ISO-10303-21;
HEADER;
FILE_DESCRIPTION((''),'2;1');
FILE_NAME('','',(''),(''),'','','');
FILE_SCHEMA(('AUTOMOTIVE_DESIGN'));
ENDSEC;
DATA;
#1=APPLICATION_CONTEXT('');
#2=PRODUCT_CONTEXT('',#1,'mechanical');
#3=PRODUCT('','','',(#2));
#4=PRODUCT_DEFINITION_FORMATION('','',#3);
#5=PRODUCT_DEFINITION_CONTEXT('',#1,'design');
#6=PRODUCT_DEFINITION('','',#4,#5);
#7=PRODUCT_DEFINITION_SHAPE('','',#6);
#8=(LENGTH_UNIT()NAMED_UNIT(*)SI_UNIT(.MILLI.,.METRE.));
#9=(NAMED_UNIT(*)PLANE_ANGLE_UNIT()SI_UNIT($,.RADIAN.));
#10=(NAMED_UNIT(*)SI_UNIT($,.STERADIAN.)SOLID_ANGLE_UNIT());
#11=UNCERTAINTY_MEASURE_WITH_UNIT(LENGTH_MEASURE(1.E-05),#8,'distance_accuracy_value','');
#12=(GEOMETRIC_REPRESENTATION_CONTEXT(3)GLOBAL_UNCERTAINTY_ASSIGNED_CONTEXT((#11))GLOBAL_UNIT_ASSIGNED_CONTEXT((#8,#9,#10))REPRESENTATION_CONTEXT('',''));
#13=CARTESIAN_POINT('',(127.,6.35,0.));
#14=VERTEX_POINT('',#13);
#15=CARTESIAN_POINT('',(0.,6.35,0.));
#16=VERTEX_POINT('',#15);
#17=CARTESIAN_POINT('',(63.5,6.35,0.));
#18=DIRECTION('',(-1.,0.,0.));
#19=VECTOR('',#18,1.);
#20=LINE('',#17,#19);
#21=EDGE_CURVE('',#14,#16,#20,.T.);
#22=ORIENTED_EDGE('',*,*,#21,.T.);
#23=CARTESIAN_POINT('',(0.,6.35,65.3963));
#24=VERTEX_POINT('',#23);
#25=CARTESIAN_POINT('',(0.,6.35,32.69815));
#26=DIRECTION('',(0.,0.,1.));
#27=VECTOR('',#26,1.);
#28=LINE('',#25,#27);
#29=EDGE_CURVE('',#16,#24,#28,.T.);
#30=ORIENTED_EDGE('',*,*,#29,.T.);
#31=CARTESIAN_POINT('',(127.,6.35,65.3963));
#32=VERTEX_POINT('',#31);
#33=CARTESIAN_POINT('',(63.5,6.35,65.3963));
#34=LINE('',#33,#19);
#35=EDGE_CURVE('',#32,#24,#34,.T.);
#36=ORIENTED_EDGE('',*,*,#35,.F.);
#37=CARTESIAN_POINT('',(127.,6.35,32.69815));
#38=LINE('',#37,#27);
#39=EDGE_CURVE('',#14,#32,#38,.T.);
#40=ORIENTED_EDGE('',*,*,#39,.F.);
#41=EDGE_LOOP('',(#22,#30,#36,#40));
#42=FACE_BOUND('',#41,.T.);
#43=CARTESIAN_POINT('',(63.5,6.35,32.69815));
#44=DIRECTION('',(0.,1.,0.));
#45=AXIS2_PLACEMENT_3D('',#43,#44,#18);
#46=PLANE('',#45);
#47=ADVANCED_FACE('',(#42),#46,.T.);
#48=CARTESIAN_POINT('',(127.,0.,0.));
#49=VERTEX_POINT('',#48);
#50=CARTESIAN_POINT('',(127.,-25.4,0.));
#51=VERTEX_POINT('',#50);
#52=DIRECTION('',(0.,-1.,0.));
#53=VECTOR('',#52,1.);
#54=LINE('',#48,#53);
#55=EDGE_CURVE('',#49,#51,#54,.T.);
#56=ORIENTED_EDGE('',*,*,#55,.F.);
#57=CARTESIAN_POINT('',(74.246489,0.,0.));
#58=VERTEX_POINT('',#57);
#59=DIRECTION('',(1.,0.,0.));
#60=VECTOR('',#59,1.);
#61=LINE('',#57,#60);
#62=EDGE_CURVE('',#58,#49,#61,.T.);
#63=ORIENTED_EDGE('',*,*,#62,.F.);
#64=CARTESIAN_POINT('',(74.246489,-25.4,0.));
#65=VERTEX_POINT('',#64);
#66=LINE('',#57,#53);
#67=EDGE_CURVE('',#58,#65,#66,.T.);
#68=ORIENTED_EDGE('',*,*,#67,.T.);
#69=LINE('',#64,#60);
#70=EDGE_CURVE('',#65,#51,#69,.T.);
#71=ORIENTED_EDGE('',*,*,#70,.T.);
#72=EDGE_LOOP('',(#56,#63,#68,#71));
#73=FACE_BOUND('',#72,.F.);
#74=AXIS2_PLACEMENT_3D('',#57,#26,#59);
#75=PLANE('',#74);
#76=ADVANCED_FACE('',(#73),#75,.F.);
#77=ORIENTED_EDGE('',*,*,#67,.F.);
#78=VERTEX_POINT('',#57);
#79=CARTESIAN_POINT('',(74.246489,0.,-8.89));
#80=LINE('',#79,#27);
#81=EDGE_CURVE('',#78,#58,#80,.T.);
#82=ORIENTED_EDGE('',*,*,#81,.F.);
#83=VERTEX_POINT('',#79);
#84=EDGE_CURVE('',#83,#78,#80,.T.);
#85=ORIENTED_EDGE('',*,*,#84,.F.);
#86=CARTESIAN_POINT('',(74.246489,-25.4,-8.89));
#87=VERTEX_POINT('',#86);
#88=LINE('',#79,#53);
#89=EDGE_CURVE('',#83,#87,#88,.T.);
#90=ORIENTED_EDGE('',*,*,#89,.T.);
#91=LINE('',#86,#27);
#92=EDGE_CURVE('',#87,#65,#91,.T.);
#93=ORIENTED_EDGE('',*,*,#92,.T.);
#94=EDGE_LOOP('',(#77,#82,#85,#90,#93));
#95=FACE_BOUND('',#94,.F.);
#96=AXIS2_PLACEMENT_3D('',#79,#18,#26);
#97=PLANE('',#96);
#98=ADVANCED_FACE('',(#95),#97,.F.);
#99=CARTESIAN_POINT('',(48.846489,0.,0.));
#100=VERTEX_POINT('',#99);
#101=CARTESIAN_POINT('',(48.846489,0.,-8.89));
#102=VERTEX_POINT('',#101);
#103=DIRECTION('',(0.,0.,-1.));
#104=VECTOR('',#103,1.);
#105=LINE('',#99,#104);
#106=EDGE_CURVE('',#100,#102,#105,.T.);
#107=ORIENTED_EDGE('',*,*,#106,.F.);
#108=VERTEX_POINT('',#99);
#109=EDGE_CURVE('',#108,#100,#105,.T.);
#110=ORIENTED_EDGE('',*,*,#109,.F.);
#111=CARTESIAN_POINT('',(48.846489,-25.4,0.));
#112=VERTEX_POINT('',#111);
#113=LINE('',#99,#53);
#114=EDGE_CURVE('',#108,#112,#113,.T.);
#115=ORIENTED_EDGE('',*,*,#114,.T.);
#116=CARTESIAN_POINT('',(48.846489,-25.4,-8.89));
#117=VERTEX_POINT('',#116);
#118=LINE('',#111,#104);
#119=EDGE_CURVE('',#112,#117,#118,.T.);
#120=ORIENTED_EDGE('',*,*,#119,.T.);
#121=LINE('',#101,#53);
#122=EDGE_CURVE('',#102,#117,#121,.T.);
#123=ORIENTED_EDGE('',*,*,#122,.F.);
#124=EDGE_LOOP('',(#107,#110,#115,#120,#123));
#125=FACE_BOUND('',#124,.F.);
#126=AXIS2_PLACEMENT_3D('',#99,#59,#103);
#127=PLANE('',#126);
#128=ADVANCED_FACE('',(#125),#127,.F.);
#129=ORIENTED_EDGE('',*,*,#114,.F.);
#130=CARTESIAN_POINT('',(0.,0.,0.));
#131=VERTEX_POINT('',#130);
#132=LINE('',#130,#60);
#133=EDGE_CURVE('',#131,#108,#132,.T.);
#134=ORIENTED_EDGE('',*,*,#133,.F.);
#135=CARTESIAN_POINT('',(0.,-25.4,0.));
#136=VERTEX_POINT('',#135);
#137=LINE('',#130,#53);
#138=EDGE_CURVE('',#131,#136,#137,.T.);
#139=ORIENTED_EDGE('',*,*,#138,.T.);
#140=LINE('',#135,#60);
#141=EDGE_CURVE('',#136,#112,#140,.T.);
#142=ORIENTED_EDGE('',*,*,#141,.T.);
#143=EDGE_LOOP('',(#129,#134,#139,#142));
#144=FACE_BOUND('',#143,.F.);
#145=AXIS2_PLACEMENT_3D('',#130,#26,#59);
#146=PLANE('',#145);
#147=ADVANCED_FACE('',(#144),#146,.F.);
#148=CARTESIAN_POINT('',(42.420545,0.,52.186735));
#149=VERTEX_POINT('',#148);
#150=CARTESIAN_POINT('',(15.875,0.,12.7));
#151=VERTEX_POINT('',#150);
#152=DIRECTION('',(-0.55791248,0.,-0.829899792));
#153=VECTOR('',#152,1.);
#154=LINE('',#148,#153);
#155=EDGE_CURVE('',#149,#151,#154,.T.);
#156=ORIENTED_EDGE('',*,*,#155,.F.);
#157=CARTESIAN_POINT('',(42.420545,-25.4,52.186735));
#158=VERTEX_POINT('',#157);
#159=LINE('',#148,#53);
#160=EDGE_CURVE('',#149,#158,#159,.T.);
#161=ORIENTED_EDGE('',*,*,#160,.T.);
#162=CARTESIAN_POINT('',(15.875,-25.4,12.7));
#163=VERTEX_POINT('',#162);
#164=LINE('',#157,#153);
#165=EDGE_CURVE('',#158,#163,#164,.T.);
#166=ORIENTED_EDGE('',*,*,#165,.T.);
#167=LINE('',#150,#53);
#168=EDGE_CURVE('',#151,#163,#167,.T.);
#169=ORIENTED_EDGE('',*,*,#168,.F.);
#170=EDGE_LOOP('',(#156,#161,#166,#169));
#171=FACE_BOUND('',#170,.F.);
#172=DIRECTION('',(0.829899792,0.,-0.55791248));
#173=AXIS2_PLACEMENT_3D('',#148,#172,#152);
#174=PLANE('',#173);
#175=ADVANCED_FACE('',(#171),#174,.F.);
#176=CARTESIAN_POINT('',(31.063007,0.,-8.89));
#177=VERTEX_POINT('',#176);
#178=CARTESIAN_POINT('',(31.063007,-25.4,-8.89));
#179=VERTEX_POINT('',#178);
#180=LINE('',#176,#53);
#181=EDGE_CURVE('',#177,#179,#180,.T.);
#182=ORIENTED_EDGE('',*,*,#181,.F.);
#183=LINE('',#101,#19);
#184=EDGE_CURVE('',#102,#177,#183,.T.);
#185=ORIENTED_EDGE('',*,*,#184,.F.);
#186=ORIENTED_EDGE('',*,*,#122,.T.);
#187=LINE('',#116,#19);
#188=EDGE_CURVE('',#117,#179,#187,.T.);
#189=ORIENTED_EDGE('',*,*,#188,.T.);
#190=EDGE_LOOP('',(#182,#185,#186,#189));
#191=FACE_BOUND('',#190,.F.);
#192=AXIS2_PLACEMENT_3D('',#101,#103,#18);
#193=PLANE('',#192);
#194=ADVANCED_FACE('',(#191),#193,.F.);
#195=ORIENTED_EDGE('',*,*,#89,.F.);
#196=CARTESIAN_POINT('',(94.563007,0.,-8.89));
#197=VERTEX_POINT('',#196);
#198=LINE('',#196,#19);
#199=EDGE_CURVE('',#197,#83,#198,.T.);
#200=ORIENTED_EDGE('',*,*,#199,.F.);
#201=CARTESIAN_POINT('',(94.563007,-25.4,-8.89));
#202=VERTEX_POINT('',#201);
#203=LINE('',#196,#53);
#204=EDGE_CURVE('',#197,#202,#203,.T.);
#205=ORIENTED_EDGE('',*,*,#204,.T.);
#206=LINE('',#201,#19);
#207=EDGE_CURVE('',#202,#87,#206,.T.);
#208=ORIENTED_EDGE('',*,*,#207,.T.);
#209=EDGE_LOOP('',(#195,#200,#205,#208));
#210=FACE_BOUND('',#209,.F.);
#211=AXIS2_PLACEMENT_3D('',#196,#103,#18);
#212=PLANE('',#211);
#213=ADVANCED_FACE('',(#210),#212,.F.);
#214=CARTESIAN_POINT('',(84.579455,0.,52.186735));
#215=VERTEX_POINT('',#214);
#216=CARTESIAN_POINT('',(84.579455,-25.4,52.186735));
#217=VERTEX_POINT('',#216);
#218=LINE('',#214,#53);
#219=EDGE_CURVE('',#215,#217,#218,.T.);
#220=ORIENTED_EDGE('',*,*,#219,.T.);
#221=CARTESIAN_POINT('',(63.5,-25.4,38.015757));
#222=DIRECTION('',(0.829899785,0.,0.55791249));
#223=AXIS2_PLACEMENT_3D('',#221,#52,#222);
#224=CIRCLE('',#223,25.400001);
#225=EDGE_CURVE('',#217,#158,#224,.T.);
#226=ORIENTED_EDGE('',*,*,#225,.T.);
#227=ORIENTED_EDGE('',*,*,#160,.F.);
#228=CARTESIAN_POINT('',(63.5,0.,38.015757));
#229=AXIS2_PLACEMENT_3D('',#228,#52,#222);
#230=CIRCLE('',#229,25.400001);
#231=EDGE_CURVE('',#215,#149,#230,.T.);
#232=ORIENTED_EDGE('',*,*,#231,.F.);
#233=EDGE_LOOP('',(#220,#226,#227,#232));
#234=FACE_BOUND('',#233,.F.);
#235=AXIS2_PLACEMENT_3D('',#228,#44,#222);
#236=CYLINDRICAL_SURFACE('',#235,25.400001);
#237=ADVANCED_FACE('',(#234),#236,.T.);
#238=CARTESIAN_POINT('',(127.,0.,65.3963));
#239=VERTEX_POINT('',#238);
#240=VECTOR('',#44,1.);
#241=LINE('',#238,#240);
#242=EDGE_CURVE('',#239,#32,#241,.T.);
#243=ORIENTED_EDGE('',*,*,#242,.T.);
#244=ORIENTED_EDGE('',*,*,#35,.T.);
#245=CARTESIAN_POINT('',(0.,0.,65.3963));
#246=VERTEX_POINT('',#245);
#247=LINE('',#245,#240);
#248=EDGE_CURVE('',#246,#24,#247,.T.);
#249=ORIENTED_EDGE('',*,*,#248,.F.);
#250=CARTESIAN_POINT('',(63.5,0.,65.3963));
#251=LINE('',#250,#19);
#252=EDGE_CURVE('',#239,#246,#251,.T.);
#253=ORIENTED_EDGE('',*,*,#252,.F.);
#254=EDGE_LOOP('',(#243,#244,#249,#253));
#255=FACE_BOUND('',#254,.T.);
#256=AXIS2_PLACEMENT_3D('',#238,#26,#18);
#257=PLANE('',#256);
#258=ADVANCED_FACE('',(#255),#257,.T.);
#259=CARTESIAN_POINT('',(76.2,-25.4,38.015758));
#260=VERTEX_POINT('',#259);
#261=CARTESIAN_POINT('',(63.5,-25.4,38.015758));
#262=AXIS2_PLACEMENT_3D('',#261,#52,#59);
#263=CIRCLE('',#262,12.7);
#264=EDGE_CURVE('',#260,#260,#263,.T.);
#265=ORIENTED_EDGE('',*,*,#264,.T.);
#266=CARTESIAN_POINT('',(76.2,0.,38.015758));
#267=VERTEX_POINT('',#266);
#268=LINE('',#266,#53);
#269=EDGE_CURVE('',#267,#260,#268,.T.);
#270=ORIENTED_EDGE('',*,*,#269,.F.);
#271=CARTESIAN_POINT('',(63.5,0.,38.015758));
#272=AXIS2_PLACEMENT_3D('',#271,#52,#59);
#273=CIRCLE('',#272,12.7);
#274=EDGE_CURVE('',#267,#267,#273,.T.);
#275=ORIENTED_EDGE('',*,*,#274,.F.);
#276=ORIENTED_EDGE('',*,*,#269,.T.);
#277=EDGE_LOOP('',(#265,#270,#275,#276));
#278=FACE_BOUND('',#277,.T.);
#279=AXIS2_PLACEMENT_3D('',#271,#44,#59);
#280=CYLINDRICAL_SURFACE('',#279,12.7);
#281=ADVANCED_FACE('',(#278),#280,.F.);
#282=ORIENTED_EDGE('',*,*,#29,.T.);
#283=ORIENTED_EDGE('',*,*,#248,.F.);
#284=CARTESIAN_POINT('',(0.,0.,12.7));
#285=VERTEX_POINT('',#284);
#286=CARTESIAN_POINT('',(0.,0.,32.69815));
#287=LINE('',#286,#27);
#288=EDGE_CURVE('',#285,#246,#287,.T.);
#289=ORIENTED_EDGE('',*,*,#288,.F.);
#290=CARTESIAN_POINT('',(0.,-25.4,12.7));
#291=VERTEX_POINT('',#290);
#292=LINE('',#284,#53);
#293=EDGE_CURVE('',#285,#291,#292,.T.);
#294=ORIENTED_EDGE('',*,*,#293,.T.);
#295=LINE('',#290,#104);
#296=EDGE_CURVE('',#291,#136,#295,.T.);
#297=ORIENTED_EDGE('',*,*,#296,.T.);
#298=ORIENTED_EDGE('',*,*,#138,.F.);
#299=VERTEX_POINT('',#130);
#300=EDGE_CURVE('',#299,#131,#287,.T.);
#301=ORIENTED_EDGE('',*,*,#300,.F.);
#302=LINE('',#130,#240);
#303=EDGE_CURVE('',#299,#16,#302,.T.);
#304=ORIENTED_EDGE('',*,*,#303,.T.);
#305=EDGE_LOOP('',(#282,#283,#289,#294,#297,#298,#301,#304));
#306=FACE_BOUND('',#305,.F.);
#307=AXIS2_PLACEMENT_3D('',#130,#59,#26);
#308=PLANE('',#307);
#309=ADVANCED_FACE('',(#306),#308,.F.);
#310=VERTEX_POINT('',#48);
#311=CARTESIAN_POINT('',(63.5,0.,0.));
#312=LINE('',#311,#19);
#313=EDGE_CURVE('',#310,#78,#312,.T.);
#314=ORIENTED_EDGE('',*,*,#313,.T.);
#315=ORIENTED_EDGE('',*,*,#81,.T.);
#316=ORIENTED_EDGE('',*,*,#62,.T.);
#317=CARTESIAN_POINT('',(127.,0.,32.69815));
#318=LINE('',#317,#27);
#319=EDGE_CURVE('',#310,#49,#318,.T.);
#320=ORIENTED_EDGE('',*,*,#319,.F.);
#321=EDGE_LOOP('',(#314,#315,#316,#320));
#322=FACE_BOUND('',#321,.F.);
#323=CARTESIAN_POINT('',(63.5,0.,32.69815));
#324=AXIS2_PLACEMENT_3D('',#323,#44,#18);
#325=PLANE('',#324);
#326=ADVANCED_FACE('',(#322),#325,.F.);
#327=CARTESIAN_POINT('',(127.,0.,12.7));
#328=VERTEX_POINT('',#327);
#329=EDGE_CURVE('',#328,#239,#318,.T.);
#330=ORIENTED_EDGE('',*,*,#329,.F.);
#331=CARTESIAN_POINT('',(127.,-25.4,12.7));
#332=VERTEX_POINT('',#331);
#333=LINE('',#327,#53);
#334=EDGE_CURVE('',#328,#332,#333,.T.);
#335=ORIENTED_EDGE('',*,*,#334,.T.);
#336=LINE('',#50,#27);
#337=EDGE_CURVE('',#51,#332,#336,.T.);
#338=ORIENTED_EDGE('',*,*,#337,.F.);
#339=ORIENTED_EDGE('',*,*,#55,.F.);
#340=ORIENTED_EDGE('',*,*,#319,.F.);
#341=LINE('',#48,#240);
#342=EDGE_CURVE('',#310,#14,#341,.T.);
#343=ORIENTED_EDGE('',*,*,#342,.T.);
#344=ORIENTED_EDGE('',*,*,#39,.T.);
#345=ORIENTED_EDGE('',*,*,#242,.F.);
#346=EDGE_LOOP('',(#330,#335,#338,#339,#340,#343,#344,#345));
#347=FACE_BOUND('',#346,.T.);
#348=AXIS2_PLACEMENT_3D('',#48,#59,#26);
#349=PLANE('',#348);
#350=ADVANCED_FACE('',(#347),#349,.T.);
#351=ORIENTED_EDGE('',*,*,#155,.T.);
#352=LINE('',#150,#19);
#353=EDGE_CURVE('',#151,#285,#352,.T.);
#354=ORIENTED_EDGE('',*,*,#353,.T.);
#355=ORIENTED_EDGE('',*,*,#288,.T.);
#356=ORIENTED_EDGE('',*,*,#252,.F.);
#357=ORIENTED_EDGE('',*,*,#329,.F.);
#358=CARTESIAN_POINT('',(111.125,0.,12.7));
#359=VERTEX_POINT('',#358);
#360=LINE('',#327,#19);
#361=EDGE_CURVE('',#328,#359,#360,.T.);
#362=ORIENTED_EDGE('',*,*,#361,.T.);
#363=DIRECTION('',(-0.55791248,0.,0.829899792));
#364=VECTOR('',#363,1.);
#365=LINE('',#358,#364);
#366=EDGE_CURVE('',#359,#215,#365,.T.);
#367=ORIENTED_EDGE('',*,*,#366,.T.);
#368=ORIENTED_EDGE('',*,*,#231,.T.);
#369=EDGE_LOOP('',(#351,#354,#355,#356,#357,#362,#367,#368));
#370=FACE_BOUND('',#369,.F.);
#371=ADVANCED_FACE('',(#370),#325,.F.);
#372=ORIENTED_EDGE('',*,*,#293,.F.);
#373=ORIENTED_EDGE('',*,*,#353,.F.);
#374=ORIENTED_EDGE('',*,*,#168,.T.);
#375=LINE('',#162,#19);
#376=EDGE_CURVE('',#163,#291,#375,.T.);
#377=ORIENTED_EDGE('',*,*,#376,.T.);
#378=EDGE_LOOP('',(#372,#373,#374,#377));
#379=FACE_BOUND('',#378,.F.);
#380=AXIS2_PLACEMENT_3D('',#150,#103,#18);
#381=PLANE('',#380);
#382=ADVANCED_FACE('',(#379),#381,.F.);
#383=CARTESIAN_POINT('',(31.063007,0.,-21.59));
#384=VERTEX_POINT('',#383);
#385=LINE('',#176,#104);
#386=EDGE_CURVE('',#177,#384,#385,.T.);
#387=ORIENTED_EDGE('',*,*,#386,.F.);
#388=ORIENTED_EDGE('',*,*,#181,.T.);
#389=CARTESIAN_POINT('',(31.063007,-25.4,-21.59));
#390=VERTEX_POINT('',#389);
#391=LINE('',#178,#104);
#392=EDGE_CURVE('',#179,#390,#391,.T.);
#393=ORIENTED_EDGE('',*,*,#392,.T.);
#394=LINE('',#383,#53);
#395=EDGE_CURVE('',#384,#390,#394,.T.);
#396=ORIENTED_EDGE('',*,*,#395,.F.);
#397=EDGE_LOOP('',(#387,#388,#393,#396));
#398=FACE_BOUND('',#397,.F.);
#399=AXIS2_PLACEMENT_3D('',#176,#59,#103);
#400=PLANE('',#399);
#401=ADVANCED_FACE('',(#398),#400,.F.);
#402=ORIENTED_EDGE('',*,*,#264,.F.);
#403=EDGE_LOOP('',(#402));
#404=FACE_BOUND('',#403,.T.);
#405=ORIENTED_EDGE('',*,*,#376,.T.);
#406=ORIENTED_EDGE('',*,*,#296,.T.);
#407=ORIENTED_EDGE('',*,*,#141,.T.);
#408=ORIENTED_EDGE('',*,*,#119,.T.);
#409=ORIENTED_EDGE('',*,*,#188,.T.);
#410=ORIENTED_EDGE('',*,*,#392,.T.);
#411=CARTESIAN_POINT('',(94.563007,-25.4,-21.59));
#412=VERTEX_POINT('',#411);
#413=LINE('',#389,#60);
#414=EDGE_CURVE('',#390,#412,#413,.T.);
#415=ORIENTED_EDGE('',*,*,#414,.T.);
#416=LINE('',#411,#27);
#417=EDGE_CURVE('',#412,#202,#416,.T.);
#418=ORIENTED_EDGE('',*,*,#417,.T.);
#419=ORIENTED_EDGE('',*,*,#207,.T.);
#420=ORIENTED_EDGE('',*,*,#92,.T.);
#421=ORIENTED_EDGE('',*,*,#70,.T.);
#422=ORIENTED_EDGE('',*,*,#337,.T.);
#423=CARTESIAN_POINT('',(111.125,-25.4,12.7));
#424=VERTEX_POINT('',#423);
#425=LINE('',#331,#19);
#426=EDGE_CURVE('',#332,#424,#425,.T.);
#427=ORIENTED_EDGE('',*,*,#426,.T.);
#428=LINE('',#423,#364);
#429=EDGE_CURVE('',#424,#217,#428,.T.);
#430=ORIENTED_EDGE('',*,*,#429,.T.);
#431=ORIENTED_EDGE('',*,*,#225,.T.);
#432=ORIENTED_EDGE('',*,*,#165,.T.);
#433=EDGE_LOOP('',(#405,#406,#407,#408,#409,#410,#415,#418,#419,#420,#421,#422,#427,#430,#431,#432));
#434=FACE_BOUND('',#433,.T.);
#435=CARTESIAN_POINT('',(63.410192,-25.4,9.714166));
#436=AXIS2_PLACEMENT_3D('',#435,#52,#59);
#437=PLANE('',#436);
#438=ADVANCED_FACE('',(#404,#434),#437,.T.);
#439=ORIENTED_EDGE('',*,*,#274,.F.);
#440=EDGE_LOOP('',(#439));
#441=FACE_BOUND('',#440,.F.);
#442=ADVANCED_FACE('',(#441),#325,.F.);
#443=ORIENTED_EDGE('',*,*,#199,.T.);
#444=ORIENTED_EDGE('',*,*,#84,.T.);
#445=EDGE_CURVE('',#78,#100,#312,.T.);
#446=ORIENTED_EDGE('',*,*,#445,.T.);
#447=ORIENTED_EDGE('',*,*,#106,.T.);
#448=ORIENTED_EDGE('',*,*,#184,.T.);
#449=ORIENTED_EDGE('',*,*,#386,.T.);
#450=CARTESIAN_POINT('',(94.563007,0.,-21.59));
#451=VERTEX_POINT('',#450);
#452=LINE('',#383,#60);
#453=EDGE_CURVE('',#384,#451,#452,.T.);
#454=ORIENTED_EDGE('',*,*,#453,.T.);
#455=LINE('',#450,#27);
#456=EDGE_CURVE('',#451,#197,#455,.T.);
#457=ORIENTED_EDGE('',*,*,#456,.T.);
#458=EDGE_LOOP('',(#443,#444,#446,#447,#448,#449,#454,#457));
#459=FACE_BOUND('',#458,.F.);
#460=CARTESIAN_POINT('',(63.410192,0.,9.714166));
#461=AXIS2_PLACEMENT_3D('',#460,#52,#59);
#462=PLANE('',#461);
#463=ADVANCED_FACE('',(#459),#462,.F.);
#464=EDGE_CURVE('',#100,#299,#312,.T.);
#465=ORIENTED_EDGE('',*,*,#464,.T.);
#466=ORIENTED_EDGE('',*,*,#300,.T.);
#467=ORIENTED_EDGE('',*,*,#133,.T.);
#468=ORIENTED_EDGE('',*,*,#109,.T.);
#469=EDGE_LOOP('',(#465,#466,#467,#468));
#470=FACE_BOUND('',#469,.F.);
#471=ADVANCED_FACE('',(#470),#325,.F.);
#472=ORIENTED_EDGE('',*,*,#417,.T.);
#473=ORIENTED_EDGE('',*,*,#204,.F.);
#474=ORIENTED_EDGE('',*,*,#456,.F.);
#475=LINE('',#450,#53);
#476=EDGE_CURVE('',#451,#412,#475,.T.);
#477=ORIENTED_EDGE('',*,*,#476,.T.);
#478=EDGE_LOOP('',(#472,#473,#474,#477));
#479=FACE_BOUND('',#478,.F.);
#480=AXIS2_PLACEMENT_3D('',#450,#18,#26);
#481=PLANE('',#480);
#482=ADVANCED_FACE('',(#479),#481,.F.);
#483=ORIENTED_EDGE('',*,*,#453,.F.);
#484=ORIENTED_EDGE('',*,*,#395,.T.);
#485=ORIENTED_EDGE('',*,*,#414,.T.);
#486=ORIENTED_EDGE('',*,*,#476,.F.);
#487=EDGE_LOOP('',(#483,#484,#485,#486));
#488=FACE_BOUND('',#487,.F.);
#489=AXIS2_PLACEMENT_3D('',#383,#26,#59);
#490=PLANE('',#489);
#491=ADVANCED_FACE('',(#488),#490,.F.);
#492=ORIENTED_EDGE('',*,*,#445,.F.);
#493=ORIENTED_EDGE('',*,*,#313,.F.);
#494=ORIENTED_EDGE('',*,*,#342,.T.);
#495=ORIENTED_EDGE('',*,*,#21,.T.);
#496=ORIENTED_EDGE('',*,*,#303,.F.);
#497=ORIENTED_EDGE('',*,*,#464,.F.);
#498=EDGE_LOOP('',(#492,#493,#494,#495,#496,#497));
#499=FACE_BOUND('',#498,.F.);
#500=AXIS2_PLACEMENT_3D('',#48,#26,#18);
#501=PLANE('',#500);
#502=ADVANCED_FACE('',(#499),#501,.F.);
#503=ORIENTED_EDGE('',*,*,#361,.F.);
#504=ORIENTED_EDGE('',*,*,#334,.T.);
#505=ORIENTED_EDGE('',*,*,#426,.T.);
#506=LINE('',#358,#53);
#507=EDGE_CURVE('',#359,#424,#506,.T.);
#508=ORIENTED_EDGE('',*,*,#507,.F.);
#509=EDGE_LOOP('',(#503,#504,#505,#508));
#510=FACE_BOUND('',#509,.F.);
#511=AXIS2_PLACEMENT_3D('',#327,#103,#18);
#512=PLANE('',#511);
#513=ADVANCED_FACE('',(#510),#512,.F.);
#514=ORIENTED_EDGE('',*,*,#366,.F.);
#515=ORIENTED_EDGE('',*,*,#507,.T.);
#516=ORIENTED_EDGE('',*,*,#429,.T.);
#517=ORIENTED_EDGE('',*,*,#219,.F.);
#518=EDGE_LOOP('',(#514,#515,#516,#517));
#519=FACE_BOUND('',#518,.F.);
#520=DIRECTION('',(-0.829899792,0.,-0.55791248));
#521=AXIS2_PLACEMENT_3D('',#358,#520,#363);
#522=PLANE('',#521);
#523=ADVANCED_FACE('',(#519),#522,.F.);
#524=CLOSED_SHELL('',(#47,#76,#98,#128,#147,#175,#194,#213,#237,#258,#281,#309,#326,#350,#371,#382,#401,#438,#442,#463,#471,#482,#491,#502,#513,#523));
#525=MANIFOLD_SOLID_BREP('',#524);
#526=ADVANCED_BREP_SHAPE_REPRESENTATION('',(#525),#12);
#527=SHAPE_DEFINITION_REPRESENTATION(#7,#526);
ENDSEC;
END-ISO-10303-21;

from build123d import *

# Parameters (mm, degrees)
F0_R     = 12.7
F1_DEPTH = 25.4
F2_W     = 127
F2_H     = 65.396301
F3_DEPTH = 6.35


with BuildPart() as f1:
    # F0 (on Front) → F1 (new body)
    with BuildSketch(Plane.XZ):
        with BuildLine():
            Line((0, 12.7), (0, 0))
            Line((0, 0), (48.846489, 0))
            Line((48.846489, 0), (48.846489, -8.89))
            Line((48.846489, -8.89), (31.063007, -8.89))
            Line((31.063007, -8.89), (31.063007, -21.59))
            Line((31.063007, -21.59), (94.563007, -21.59))
            Line((94.563007, -21.59), (94.563007, -8.89))
            Line((94.563007, -8.89), (74.246489, -8.89))
            Line((74.246489, -8.89), (74.246489, 0))
            Line((74.246489, 0), (127, 0))
            Line((127, 0), (127, 12.7))
            Line((127, 12.7), (111.125, 12.7))
            Line((111.125, 12.7), (84.579455, 52.186735))
            ThreePointArc((84.579455, 52.186735), (63.5, 63.415758), (42.420545, 52.186735))
            Line((42.420545, 52.186735), (15.875, 12.7))
            Line((15.875, 12.7), (0, 12.7))
        make_face()
        with Locations((63.5, 38.015758)):
            Circle(F0_R, mode=Mode.SUBTRACT)
    extrude(amount=F1_DEPTH)

    # F2 (on face) → F3 (join)
    with BuildSketch(Plane(origin=(0, 0, 0), x_dir=(-1, 0, 0), z_dir=(0, 1, 0))):
        with Locations((-63.5, 32.69815)):
            Rectangle(F2_W, F2_H)
    extrude(amount=F3_DEPTH)


solid = f1.part
